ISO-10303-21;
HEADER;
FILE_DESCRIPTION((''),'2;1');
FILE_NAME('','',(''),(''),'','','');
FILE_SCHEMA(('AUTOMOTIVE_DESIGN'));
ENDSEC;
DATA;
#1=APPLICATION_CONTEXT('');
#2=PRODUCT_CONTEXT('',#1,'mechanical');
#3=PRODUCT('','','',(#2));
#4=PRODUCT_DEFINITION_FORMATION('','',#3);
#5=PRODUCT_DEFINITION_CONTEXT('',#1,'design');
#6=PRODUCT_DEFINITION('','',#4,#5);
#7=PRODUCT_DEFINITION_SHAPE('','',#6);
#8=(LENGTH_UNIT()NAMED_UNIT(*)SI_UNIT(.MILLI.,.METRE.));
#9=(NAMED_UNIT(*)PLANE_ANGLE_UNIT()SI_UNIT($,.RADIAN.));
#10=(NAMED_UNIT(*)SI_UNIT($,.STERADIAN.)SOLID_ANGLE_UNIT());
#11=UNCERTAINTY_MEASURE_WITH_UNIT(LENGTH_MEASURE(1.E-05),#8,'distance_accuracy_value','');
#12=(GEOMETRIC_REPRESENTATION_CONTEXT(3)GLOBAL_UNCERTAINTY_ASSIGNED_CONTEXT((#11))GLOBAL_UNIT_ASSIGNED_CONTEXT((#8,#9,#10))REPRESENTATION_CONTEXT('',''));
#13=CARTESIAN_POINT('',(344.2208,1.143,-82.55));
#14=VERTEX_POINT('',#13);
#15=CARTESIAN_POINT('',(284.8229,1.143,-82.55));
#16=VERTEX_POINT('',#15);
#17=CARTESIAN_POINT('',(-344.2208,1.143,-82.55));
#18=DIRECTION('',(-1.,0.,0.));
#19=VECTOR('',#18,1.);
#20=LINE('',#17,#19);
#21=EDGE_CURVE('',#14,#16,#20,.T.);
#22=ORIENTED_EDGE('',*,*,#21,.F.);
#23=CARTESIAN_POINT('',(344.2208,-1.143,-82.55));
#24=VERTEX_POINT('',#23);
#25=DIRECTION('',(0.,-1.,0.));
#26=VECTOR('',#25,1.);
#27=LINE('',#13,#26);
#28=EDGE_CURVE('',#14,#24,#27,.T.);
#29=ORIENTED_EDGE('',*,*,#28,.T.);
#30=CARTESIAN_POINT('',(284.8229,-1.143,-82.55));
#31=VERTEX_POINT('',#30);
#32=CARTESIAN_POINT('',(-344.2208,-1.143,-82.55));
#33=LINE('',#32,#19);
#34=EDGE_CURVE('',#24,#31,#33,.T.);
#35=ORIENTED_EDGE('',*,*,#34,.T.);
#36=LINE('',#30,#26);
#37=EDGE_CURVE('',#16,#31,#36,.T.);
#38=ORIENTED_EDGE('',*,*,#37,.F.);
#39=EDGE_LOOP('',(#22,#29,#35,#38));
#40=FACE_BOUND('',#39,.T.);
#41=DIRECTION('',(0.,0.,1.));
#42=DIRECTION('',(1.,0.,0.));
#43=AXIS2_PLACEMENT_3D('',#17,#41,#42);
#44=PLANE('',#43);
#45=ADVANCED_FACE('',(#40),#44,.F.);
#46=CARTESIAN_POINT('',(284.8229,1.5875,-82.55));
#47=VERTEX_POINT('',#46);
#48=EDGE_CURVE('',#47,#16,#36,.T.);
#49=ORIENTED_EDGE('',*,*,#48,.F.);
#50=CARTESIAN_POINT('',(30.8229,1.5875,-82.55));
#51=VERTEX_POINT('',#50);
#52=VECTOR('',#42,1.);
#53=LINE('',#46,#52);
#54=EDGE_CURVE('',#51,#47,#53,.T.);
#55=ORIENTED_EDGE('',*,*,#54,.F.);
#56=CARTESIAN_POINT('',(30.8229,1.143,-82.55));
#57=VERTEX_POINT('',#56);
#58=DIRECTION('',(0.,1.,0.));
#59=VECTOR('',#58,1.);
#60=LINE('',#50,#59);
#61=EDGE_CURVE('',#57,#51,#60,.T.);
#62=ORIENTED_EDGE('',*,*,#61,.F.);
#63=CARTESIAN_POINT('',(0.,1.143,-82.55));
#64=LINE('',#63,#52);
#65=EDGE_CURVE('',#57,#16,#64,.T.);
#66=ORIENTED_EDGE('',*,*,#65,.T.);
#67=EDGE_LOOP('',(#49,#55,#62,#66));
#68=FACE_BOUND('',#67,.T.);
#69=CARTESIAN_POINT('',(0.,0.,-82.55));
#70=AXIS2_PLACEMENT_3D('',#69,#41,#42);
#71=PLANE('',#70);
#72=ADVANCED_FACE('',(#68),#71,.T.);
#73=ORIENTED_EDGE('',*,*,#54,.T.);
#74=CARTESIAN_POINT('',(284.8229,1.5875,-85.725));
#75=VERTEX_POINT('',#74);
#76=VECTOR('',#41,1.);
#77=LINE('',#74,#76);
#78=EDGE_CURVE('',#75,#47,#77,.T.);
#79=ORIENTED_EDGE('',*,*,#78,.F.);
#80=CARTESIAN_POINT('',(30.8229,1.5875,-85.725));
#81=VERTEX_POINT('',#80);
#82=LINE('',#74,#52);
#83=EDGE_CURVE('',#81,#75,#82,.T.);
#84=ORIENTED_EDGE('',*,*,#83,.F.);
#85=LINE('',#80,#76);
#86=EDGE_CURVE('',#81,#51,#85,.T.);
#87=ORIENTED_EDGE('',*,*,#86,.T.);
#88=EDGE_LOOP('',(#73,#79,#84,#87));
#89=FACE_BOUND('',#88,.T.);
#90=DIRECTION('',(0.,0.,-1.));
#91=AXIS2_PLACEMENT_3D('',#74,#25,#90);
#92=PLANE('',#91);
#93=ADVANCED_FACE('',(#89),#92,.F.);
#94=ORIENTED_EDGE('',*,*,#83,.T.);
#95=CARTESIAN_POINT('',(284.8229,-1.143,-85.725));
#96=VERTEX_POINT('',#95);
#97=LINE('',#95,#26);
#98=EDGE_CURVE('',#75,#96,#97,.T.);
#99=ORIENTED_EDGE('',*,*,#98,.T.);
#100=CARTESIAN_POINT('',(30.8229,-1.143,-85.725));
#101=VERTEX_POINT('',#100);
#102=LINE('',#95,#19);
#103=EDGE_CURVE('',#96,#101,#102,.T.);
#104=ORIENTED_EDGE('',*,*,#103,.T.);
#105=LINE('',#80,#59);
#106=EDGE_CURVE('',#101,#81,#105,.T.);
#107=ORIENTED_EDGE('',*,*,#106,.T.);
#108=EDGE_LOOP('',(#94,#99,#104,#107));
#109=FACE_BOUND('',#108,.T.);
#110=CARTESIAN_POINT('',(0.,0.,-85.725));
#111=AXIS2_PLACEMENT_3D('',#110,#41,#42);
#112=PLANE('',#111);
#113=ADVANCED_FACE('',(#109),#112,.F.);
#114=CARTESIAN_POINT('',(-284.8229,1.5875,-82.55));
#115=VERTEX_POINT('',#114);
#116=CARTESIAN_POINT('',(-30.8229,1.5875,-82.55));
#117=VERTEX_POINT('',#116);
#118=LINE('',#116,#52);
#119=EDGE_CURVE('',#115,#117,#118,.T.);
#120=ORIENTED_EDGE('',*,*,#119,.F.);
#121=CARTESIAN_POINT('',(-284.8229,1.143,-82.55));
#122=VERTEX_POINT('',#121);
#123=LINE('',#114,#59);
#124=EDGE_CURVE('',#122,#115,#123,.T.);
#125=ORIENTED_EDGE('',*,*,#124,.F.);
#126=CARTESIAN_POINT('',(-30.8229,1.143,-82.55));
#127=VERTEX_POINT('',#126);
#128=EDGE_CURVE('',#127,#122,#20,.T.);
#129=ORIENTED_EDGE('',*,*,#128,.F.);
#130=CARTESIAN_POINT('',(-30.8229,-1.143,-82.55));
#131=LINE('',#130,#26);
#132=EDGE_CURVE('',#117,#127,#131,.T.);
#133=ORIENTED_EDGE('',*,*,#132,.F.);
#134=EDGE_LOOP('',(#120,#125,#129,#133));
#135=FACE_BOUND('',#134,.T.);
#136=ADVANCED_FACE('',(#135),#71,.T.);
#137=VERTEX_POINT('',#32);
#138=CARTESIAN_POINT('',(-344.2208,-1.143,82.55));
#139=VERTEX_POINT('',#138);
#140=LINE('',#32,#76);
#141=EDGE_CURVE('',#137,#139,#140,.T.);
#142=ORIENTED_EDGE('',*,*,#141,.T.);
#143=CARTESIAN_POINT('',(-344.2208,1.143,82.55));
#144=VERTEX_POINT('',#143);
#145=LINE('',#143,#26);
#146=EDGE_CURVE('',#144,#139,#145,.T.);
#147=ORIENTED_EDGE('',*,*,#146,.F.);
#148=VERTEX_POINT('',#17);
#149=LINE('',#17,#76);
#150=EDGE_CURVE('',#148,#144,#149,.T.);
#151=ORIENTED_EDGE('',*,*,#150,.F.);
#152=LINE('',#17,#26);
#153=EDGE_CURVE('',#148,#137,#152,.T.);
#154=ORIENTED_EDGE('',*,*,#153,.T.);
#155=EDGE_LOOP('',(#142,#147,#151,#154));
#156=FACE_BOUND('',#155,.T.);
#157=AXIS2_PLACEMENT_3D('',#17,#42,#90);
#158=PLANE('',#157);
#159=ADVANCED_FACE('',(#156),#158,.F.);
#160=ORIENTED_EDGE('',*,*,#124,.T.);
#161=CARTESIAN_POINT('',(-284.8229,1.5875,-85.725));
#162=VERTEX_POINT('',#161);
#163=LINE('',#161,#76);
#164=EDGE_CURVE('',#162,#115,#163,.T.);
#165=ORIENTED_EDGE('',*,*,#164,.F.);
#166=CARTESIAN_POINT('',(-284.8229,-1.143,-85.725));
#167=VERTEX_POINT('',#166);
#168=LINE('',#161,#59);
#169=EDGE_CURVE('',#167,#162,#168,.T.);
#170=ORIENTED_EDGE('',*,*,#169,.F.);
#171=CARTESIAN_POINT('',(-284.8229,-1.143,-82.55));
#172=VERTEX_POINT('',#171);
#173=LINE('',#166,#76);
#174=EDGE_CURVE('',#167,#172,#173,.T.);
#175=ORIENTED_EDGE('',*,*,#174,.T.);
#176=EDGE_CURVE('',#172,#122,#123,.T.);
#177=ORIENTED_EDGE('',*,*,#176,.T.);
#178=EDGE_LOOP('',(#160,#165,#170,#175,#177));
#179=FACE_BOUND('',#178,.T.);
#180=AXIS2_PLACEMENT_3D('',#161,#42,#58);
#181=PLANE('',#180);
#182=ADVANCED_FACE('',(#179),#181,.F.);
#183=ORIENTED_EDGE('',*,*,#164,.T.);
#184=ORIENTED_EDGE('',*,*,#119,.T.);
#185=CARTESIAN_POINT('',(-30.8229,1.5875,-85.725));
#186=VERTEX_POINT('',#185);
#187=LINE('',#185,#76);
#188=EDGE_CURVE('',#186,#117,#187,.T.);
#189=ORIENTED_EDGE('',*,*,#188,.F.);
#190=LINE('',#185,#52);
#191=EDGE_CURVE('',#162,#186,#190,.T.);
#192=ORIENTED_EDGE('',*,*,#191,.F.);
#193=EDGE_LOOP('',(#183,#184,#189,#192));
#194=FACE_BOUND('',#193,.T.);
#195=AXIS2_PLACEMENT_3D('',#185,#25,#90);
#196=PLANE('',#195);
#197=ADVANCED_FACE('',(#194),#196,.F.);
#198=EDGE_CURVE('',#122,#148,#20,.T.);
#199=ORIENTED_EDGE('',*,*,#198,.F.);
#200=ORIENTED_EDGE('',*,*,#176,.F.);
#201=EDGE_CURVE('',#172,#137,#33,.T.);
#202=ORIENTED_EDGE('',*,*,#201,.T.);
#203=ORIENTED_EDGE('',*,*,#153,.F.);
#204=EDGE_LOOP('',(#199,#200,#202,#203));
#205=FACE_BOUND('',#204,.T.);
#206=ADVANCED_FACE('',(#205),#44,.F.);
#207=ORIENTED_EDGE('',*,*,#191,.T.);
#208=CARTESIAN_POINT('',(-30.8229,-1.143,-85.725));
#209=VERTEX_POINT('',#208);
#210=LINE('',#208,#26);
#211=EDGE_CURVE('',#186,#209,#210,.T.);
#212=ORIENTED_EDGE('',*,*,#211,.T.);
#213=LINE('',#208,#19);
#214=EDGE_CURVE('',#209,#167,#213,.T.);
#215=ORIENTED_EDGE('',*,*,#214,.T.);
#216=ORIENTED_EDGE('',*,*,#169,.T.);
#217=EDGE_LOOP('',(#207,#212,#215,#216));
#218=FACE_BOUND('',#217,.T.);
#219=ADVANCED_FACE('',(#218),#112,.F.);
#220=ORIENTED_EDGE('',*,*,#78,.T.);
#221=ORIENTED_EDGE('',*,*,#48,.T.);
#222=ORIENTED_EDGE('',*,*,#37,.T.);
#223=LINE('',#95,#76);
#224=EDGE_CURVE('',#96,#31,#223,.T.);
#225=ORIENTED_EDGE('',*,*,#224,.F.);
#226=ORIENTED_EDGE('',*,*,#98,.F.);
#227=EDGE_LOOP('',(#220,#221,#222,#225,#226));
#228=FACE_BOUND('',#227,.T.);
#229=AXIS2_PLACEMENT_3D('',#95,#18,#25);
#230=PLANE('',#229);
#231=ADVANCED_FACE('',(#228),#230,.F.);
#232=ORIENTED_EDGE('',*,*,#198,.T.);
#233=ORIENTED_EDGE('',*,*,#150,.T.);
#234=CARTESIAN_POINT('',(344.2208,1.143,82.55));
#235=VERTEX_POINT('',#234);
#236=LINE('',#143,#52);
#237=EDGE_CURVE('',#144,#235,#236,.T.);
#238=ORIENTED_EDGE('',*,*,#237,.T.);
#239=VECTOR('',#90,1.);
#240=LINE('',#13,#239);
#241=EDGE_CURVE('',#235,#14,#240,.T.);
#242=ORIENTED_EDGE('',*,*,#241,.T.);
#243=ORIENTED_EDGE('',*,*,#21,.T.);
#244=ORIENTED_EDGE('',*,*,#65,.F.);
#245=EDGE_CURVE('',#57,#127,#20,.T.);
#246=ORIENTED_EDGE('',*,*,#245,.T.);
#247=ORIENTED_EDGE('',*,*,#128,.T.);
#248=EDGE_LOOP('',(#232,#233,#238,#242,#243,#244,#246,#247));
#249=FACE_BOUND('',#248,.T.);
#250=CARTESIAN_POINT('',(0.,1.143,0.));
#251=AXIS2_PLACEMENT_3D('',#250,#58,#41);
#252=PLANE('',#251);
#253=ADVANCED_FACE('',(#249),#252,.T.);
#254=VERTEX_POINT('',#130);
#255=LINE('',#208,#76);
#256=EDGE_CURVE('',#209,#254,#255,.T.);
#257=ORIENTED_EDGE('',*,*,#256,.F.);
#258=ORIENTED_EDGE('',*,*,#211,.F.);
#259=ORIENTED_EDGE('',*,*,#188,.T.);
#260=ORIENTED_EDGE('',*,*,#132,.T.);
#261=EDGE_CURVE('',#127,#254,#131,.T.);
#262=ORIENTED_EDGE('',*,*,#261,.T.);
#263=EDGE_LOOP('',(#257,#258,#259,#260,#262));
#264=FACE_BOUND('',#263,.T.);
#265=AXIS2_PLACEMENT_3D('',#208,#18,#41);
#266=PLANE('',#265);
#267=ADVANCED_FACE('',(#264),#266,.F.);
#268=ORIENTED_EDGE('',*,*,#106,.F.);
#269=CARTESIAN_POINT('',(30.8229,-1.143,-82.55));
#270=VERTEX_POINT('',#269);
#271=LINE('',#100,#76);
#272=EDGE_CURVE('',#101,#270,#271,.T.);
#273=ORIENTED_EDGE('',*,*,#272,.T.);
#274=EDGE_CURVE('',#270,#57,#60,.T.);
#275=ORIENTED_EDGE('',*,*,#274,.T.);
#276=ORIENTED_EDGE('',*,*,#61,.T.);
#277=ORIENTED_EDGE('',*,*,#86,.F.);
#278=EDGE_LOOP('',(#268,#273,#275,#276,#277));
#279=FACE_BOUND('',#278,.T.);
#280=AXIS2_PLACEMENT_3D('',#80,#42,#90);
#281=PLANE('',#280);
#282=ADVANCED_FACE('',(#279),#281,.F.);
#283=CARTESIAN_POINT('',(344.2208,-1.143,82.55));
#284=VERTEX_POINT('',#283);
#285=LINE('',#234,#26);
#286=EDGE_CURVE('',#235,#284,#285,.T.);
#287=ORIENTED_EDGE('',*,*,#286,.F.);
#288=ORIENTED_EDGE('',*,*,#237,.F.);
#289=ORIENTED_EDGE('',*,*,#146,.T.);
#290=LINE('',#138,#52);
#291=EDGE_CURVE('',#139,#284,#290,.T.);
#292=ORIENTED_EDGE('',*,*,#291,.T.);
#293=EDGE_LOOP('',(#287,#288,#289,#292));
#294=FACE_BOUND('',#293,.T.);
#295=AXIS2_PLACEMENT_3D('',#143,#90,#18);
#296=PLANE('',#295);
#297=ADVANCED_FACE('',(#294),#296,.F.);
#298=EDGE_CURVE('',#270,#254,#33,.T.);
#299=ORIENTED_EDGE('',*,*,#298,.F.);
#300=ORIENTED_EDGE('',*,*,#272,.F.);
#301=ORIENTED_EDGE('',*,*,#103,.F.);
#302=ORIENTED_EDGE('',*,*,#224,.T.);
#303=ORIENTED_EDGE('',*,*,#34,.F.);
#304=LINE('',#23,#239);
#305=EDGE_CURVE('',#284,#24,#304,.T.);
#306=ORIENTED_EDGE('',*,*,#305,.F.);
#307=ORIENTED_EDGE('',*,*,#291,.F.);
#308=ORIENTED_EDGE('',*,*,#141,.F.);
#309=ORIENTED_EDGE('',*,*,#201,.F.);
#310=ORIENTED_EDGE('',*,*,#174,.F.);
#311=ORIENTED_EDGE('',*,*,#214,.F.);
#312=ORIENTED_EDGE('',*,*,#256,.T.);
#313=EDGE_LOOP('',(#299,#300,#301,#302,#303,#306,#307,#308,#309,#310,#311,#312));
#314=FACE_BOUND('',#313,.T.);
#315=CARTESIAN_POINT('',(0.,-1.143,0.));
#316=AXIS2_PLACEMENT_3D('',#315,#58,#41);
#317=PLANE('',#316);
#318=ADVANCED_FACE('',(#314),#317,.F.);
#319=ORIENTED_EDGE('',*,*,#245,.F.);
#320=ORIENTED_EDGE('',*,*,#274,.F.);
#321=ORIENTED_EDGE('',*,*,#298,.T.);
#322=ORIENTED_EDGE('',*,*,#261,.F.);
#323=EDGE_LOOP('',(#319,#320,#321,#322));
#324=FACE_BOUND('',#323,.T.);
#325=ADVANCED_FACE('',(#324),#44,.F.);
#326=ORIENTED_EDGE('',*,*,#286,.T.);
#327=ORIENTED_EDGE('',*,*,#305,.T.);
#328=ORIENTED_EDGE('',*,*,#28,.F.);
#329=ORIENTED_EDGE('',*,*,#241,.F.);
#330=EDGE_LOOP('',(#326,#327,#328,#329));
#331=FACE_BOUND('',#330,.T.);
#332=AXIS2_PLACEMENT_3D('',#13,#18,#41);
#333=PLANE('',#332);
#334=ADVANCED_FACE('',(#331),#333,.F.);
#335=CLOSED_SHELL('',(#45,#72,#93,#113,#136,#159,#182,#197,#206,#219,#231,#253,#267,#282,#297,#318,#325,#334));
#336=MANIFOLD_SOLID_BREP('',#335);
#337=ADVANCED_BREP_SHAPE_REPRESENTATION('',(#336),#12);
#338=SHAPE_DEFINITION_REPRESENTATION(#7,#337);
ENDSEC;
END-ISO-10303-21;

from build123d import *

# Parameters (mm, degrees)
SKETCH1_W           = 688.4416
SKETCH1_H           = 165.1
BOSS_EXTRUDE1_DEPTH = 1.143
SKETCH2_W           = 254
SKETCH2_H           = 2.7305
BOSS_EXTRUDE2_DEPTH = 3.175


with BuildPart() as part:
    # Sketch1 → Boss-Extrude1 (new, symmetric)
    with BuildSketch(Plane(origin=(0, 0, 0), x_dir=(1, 0, 0), z_dir=(0, 1, 0))):
        Rectangle(SKETCH1_W, SKETCH1_H)
    extrude(amount=BOSS_EXTRUDE1_DEPTH, both=True)

    # Sketch2 → Boss-Extrude2 (add)
    with BuildSketch(Plane(origin=(0, 0, -82.55), x_dir=(-1, 0, 0), z_dir=(0, 0, -1))):
        with Locations((-157.8229, 0.22225)):
            Rectangle(SKETCH2_W, SKETCH2_H)
        with Locations((157.8229, 0.22225)):
            Rectangle(SKETCH2_W, SKETCH2_H)
    extrude(amount=BOSS_EXTRUDE2_DEPTH)


solid = part.part
